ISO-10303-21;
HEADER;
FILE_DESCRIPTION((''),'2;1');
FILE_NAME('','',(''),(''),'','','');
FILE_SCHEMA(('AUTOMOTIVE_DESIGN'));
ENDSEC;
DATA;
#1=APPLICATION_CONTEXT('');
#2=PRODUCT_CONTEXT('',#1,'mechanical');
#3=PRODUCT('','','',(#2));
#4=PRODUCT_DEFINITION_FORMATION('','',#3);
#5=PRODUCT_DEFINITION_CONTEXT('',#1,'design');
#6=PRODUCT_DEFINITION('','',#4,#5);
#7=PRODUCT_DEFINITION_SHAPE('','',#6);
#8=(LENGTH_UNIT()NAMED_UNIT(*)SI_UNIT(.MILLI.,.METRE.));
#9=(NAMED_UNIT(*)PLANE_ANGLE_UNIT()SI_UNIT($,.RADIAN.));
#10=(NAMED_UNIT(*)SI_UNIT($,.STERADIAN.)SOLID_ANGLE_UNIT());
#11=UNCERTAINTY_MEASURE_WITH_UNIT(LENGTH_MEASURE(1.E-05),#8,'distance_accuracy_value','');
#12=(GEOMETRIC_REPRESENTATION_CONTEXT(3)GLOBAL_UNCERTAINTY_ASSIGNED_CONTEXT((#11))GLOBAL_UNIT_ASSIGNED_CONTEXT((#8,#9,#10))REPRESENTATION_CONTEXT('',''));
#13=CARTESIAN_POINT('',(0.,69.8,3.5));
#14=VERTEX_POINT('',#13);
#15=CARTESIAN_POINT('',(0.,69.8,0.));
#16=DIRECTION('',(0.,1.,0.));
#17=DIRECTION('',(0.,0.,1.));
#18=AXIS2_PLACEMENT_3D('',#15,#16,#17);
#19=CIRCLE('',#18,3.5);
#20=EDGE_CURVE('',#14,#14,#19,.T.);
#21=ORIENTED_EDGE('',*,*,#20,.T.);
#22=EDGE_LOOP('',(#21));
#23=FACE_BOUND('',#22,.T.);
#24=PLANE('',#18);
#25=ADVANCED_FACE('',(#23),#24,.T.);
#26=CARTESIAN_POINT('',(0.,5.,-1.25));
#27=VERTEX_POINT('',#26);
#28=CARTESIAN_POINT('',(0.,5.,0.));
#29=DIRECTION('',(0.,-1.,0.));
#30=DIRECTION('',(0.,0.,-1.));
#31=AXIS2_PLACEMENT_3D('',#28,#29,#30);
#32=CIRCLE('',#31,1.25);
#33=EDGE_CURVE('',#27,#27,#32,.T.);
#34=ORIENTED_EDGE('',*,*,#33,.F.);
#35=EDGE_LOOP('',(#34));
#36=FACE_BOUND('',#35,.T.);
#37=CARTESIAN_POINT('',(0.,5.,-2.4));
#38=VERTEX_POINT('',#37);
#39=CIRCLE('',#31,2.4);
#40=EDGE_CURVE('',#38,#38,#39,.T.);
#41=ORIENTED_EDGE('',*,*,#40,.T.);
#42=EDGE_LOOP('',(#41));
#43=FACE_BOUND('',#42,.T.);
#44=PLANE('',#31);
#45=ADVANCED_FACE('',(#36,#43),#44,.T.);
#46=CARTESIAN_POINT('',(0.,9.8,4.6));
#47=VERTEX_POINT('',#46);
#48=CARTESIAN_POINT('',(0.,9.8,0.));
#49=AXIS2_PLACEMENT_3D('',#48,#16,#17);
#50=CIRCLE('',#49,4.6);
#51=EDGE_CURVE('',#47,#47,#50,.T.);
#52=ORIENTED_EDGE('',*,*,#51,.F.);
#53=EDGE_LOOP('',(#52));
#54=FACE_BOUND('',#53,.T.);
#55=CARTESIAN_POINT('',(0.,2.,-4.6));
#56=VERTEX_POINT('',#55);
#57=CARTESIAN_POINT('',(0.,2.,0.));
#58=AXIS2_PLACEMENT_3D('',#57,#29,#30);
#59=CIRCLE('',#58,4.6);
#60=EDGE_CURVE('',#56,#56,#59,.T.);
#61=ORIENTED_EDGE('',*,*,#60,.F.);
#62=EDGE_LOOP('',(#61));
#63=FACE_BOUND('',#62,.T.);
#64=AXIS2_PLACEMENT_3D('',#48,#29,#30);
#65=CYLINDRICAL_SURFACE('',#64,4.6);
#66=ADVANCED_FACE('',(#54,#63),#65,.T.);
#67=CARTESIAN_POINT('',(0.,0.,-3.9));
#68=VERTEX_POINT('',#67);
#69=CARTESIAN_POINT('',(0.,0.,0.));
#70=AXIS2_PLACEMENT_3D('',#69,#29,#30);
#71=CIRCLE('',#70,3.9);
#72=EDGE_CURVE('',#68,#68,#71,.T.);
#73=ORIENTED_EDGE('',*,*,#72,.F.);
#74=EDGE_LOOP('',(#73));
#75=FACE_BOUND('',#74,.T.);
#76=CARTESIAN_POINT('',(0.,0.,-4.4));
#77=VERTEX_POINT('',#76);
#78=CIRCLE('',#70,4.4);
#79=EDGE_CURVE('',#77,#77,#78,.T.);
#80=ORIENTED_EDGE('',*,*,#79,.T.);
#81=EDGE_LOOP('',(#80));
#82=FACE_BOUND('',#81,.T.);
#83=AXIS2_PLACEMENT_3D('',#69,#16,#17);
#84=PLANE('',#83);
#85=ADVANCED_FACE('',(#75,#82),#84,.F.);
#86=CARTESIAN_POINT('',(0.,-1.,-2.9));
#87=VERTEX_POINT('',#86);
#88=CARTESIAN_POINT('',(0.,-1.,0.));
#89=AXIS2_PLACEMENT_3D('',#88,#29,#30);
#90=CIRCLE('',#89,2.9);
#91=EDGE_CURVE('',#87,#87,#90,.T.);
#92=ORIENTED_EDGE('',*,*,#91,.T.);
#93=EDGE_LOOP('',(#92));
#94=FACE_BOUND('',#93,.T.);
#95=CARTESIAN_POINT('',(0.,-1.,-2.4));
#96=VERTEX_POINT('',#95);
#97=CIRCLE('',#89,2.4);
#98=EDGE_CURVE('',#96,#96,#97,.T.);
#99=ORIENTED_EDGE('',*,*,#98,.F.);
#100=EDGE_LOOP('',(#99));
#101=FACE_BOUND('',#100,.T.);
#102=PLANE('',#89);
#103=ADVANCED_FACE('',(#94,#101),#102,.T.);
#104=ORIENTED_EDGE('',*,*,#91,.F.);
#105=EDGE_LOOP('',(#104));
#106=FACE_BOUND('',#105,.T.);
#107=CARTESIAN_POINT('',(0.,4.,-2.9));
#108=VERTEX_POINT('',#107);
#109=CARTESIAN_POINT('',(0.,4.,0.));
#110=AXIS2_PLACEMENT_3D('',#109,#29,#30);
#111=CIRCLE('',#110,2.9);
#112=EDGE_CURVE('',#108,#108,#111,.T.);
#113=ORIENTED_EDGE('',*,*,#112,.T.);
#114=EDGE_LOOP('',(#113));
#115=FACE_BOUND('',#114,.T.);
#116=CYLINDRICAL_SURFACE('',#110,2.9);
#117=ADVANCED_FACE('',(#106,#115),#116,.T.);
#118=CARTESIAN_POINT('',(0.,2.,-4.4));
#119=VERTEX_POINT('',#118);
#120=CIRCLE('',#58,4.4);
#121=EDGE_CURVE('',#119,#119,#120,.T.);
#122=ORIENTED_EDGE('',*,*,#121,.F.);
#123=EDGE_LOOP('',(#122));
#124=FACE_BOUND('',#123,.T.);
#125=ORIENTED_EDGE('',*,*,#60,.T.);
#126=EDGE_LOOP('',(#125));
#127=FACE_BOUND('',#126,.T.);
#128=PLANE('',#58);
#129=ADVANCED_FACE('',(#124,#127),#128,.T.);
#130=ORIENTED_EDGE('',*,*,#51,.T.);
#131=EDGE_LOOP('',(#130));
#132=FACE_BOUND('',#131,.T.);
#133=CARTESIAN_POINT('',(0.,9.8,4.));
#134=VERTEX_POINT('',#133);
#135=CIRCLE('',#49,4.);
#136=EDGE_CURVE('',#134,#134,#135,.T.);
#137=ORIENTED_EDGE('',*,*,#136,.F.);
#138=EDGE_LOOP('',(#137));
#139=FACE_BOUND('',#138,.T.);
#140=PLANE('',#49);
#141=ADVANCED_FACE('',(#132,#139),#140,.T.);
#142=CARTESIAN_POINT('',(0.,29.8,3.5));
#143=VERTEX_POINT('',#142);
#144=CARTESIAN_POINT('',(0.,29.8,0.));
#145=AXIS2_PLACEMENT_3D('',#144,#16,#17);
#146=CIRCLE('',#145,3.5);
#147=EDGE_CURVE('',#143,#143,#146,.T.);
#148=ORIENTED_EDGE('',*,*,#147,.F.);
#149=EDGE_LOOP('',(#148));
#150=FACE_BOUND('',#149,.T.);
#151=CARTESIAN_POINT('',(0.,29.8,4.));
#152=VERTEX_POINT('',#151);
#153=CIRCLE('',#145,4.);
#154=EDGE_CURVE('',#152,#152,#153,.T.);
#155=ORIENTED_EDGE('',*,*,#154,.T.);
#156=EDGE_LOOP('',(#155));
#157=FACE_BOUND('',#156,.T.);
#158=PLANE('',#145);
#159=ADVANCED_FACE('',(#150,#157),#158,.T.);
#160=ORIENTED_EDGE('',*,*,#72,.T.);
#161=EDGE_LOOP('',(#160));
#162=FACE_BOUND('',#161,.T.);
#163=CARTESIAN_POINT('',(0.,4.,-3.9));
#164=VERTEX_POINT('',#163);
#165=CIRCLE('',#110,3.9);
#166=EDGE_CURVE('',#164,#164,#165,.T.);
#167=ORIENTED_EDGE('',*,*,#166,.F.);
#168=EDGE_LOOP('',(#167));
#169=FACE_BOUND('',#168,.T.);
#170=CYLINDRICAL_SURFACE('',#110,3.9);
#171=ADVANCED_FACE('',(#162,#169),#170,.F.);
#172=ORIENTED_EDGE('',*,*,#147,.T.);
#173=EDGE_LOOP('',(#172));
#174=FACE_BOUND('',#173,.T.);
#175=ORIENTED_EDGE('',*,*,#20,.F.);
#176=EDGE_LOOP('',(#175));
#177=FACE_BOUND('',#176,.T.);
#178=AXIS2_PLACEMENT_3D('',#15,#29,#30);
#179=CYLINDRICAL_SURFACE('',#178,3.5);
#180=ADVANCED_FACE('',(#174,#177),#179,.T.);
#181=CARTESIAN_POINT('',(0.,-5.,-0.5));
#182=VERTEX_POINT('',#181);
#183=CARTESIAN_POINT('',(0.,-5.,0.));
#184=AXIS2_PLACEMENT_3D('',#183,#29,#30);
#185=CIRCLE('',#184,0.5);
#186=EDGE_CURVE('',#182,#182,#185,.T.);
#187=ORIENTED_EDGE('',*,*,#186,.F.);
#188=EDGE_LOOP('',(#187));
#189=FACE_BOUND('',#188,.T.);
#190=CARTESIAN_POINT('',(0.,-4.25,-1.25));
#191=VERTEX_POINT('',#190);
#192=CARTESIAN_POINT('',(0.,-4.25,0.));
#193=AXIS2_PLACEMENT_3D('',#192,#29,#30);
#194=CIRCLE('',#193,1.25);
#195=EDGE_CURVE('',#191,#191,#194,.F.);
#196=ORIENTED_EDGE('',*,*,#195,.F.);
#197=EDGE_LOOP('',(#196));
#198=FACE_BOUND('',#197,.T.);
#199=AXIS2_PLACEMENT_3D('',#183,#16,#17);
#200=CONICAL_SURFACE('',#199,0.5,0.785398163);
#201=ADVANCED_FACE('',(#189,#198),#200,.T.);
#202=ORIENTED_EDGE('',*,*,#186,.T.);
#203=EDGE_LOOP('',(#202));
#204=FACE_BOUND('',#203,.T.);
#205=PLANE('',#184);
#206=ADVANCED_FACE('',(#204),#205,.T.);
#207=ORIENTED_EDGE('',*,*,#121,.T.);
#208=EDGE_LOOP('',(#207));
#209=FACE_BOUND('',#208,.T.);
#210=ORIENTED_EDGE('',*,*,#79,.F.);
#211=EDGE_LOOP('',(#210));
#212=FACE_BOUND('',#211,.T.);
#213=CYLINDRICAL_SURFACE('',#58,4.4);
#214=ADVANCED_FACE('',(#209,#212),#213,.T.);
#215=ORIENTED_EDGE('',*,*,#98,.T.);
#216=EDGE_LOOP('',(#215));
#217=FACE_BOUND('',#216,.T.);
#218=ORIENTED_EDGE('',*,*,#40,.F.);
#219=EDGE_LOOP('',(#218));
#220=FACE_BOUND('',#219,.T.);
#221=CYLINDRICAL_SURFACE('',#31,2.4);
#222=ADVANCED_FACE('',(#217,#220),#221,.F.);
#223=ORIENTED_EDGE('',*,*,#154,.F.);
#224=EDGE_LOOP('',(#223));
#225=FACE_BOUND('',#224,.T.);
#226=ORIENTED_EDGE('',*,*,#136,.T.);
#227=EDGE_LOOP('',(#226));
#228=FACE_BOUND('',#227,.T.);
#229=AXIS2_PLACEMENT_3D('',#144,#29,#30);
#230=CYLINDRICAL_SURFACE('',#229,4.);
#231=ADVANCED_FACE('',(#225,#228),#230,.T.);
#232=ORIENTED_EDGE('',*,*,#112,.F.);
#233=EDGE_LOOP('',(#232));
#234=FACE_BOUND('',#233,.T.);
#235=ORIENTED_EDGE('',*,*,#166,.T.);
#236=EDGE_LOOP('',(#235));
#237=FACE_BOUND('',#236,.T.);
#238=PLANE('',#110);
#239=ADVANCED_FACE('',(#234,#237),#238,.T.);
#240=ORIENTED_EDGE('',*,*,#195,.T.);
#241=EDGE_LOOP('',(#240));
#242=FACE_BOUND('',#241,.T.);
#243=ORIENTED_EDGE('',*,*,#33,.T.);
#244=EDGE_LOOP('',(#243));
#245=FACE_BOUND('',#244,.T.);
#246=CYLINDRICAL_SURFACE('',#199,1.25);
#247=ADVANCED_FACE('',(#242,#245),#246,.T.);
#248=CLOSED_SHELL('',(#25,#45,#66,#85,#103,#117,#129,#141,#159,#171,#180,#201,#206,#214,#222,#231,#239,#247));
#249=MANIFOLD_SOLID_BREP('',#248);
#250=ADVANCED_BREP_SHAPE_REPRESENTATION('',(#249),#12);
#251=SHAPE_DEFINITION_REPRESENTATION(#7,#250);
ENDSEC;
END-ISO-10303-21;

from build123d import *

# Parameters (mm, degrees)
SKETCH_1_R          = 4.6
EXTRUDE_1_DEPTH     = 9.8
SKETCH_2_R          = 4.6
SKETCH_2_R_2        = 4.4
CUT_EXTRUDE_1_DEPTH = 2
SKETCH_3_R          = 3.9
SKETCH_3_R_2        = 2.9
CUT_EXTRUDE_2_DEPTH = 4
SKETCH_4_R          = 2.4
CUT_EXTRUDE_3_DEPTH = 5
SKETCH_5_R          = 1.25
EXTRUDE_4_DEPTH     = 10
CHAMFER_1_SIZE      = 0.75
EXTRUDE_START       = 1
SKETCH_6_R          = 2.9
SKETCH_6_R_2        = 2.4
EXTRUDE_5_DEPTH     = 1
SKETCH_7_R          = 4
EXTRUDE_6_DEPTH     = 20
SKETCH_8_R          = 3.5
EXTRUDE_7_DEPTH     = 40


with BuildPart() as part:
    # 草图1 → 拉伸1 (new body)
    with BuildSketch(Plane(origin=(0, 0, 0), x_dir=(1, 0, 0), z_dir=(0, 1, 0))):
        with Locations(Location((0, 0, 0), (0, 0, 270))):
            Circle(SKETCH_1_R)
    extrude(amount=EXTRUDE_1_DEPTH)

    # 草图2 → 切除-拉伸1 (cut)
    with BuildSketch(Plane.XZ):
        with Locations(Location((0, 0, 0), (0, 0, 270))):
            Circle(SKETCH_2_R)
        with Locations(Location((0, 0, 0), (0, 0, 270))):
            Circle(SKETCH_2_R_2, mode=Mode.SUBTRACT)
    extrude(amount=-CUT_EXTRUDE_1_DEPTH, mode=Mode.SUBTRACT)

    # 草图3 → 切除-拉伸2 (cut)
    with BuildSketch(Plane.XZ):
        with Locations(Location((0, 0, 0), (0, 0, 270))):
            Circle(SKETCH_3_R)
        with Locations(Location((0, 0, 0), (0, 0, 270))):
            Circle(SKETCH_3_R_2, mode=Mode.SUBTRACT)
    extrude(amount=-CUT_EXTRUDE_2_DEPTH, mode=Mode.SUBTRACT)

    # 草图4 → 切除-拉伸3 (cut)
    with BuildSketch(Plane.XZ):
        with Locations(Location((0, 0, 0), (0, 0, 270))):
            Circle(SKETCH_4_R)
    extrude(amount=-CUT_EXTRUDE_3_DEPTH, mode=Mode.SUBTRACT)

    # 草图5 → 拉伸4 (add)
    with BuildSketch(Plane.XZ.offset(-5)):
        with Locations(Location((0, 0, 0), (0, 0, 270))):
            Circle(SKETCH_5_R)
    extrude(amount=EXTRUDE_4_DEPTH)

    # 倒角1
    chamfer_1_edges = [part.edges().sort_by_distance(p)[0] for p in [
        (0, -5, 1.25),
    ]]
    chamfer(chamfer_1_edges, length=CHAMFER_1_SIZE)

    # 草图6 → 拉伸5 (add)
    with BuildSketch(Plane.XZ.offset(EXTRUDE_START)):
        with Locations(Location((0, 0, 0), (0, 0, 270))):
            Circle(SKETCH_6_R)
        with Locations(Location((0, 0, 0), (0, 0, 270))):
            Circle(SKETCH_6_R_2, mode=Mode.SUBTRACT)
    extrude(amount=-EXTRUDE_5_DEPTH)

    # 草图7 → 拉伸6 (add)
    with BuildSketch(Plane(origin=(0, 9.8, 0), x_dir=(-1, 0, 0), z_dir=(0, 1, 0))):
        with Locations(Location((0, 0, 0), (0, 0, 90))):
            Circle(SKETCH_7_R)
    extrude(amount=EXTRUDE_6_DEPTH)

    # 草图8 → 拉伸7 (add)
    with BuildSketch(Plane(origin=(0, 29.8, 0), x_dir=(-1, 0, 0), z_dir=(0, 1, 0))):
        with Locations(Location((0, 0, 0), (0, 0, 90))):
            Circle(SKETCH_8_R)
    extrude(amount=EXTRUDE_7_DEPTH)


solid = part.part
